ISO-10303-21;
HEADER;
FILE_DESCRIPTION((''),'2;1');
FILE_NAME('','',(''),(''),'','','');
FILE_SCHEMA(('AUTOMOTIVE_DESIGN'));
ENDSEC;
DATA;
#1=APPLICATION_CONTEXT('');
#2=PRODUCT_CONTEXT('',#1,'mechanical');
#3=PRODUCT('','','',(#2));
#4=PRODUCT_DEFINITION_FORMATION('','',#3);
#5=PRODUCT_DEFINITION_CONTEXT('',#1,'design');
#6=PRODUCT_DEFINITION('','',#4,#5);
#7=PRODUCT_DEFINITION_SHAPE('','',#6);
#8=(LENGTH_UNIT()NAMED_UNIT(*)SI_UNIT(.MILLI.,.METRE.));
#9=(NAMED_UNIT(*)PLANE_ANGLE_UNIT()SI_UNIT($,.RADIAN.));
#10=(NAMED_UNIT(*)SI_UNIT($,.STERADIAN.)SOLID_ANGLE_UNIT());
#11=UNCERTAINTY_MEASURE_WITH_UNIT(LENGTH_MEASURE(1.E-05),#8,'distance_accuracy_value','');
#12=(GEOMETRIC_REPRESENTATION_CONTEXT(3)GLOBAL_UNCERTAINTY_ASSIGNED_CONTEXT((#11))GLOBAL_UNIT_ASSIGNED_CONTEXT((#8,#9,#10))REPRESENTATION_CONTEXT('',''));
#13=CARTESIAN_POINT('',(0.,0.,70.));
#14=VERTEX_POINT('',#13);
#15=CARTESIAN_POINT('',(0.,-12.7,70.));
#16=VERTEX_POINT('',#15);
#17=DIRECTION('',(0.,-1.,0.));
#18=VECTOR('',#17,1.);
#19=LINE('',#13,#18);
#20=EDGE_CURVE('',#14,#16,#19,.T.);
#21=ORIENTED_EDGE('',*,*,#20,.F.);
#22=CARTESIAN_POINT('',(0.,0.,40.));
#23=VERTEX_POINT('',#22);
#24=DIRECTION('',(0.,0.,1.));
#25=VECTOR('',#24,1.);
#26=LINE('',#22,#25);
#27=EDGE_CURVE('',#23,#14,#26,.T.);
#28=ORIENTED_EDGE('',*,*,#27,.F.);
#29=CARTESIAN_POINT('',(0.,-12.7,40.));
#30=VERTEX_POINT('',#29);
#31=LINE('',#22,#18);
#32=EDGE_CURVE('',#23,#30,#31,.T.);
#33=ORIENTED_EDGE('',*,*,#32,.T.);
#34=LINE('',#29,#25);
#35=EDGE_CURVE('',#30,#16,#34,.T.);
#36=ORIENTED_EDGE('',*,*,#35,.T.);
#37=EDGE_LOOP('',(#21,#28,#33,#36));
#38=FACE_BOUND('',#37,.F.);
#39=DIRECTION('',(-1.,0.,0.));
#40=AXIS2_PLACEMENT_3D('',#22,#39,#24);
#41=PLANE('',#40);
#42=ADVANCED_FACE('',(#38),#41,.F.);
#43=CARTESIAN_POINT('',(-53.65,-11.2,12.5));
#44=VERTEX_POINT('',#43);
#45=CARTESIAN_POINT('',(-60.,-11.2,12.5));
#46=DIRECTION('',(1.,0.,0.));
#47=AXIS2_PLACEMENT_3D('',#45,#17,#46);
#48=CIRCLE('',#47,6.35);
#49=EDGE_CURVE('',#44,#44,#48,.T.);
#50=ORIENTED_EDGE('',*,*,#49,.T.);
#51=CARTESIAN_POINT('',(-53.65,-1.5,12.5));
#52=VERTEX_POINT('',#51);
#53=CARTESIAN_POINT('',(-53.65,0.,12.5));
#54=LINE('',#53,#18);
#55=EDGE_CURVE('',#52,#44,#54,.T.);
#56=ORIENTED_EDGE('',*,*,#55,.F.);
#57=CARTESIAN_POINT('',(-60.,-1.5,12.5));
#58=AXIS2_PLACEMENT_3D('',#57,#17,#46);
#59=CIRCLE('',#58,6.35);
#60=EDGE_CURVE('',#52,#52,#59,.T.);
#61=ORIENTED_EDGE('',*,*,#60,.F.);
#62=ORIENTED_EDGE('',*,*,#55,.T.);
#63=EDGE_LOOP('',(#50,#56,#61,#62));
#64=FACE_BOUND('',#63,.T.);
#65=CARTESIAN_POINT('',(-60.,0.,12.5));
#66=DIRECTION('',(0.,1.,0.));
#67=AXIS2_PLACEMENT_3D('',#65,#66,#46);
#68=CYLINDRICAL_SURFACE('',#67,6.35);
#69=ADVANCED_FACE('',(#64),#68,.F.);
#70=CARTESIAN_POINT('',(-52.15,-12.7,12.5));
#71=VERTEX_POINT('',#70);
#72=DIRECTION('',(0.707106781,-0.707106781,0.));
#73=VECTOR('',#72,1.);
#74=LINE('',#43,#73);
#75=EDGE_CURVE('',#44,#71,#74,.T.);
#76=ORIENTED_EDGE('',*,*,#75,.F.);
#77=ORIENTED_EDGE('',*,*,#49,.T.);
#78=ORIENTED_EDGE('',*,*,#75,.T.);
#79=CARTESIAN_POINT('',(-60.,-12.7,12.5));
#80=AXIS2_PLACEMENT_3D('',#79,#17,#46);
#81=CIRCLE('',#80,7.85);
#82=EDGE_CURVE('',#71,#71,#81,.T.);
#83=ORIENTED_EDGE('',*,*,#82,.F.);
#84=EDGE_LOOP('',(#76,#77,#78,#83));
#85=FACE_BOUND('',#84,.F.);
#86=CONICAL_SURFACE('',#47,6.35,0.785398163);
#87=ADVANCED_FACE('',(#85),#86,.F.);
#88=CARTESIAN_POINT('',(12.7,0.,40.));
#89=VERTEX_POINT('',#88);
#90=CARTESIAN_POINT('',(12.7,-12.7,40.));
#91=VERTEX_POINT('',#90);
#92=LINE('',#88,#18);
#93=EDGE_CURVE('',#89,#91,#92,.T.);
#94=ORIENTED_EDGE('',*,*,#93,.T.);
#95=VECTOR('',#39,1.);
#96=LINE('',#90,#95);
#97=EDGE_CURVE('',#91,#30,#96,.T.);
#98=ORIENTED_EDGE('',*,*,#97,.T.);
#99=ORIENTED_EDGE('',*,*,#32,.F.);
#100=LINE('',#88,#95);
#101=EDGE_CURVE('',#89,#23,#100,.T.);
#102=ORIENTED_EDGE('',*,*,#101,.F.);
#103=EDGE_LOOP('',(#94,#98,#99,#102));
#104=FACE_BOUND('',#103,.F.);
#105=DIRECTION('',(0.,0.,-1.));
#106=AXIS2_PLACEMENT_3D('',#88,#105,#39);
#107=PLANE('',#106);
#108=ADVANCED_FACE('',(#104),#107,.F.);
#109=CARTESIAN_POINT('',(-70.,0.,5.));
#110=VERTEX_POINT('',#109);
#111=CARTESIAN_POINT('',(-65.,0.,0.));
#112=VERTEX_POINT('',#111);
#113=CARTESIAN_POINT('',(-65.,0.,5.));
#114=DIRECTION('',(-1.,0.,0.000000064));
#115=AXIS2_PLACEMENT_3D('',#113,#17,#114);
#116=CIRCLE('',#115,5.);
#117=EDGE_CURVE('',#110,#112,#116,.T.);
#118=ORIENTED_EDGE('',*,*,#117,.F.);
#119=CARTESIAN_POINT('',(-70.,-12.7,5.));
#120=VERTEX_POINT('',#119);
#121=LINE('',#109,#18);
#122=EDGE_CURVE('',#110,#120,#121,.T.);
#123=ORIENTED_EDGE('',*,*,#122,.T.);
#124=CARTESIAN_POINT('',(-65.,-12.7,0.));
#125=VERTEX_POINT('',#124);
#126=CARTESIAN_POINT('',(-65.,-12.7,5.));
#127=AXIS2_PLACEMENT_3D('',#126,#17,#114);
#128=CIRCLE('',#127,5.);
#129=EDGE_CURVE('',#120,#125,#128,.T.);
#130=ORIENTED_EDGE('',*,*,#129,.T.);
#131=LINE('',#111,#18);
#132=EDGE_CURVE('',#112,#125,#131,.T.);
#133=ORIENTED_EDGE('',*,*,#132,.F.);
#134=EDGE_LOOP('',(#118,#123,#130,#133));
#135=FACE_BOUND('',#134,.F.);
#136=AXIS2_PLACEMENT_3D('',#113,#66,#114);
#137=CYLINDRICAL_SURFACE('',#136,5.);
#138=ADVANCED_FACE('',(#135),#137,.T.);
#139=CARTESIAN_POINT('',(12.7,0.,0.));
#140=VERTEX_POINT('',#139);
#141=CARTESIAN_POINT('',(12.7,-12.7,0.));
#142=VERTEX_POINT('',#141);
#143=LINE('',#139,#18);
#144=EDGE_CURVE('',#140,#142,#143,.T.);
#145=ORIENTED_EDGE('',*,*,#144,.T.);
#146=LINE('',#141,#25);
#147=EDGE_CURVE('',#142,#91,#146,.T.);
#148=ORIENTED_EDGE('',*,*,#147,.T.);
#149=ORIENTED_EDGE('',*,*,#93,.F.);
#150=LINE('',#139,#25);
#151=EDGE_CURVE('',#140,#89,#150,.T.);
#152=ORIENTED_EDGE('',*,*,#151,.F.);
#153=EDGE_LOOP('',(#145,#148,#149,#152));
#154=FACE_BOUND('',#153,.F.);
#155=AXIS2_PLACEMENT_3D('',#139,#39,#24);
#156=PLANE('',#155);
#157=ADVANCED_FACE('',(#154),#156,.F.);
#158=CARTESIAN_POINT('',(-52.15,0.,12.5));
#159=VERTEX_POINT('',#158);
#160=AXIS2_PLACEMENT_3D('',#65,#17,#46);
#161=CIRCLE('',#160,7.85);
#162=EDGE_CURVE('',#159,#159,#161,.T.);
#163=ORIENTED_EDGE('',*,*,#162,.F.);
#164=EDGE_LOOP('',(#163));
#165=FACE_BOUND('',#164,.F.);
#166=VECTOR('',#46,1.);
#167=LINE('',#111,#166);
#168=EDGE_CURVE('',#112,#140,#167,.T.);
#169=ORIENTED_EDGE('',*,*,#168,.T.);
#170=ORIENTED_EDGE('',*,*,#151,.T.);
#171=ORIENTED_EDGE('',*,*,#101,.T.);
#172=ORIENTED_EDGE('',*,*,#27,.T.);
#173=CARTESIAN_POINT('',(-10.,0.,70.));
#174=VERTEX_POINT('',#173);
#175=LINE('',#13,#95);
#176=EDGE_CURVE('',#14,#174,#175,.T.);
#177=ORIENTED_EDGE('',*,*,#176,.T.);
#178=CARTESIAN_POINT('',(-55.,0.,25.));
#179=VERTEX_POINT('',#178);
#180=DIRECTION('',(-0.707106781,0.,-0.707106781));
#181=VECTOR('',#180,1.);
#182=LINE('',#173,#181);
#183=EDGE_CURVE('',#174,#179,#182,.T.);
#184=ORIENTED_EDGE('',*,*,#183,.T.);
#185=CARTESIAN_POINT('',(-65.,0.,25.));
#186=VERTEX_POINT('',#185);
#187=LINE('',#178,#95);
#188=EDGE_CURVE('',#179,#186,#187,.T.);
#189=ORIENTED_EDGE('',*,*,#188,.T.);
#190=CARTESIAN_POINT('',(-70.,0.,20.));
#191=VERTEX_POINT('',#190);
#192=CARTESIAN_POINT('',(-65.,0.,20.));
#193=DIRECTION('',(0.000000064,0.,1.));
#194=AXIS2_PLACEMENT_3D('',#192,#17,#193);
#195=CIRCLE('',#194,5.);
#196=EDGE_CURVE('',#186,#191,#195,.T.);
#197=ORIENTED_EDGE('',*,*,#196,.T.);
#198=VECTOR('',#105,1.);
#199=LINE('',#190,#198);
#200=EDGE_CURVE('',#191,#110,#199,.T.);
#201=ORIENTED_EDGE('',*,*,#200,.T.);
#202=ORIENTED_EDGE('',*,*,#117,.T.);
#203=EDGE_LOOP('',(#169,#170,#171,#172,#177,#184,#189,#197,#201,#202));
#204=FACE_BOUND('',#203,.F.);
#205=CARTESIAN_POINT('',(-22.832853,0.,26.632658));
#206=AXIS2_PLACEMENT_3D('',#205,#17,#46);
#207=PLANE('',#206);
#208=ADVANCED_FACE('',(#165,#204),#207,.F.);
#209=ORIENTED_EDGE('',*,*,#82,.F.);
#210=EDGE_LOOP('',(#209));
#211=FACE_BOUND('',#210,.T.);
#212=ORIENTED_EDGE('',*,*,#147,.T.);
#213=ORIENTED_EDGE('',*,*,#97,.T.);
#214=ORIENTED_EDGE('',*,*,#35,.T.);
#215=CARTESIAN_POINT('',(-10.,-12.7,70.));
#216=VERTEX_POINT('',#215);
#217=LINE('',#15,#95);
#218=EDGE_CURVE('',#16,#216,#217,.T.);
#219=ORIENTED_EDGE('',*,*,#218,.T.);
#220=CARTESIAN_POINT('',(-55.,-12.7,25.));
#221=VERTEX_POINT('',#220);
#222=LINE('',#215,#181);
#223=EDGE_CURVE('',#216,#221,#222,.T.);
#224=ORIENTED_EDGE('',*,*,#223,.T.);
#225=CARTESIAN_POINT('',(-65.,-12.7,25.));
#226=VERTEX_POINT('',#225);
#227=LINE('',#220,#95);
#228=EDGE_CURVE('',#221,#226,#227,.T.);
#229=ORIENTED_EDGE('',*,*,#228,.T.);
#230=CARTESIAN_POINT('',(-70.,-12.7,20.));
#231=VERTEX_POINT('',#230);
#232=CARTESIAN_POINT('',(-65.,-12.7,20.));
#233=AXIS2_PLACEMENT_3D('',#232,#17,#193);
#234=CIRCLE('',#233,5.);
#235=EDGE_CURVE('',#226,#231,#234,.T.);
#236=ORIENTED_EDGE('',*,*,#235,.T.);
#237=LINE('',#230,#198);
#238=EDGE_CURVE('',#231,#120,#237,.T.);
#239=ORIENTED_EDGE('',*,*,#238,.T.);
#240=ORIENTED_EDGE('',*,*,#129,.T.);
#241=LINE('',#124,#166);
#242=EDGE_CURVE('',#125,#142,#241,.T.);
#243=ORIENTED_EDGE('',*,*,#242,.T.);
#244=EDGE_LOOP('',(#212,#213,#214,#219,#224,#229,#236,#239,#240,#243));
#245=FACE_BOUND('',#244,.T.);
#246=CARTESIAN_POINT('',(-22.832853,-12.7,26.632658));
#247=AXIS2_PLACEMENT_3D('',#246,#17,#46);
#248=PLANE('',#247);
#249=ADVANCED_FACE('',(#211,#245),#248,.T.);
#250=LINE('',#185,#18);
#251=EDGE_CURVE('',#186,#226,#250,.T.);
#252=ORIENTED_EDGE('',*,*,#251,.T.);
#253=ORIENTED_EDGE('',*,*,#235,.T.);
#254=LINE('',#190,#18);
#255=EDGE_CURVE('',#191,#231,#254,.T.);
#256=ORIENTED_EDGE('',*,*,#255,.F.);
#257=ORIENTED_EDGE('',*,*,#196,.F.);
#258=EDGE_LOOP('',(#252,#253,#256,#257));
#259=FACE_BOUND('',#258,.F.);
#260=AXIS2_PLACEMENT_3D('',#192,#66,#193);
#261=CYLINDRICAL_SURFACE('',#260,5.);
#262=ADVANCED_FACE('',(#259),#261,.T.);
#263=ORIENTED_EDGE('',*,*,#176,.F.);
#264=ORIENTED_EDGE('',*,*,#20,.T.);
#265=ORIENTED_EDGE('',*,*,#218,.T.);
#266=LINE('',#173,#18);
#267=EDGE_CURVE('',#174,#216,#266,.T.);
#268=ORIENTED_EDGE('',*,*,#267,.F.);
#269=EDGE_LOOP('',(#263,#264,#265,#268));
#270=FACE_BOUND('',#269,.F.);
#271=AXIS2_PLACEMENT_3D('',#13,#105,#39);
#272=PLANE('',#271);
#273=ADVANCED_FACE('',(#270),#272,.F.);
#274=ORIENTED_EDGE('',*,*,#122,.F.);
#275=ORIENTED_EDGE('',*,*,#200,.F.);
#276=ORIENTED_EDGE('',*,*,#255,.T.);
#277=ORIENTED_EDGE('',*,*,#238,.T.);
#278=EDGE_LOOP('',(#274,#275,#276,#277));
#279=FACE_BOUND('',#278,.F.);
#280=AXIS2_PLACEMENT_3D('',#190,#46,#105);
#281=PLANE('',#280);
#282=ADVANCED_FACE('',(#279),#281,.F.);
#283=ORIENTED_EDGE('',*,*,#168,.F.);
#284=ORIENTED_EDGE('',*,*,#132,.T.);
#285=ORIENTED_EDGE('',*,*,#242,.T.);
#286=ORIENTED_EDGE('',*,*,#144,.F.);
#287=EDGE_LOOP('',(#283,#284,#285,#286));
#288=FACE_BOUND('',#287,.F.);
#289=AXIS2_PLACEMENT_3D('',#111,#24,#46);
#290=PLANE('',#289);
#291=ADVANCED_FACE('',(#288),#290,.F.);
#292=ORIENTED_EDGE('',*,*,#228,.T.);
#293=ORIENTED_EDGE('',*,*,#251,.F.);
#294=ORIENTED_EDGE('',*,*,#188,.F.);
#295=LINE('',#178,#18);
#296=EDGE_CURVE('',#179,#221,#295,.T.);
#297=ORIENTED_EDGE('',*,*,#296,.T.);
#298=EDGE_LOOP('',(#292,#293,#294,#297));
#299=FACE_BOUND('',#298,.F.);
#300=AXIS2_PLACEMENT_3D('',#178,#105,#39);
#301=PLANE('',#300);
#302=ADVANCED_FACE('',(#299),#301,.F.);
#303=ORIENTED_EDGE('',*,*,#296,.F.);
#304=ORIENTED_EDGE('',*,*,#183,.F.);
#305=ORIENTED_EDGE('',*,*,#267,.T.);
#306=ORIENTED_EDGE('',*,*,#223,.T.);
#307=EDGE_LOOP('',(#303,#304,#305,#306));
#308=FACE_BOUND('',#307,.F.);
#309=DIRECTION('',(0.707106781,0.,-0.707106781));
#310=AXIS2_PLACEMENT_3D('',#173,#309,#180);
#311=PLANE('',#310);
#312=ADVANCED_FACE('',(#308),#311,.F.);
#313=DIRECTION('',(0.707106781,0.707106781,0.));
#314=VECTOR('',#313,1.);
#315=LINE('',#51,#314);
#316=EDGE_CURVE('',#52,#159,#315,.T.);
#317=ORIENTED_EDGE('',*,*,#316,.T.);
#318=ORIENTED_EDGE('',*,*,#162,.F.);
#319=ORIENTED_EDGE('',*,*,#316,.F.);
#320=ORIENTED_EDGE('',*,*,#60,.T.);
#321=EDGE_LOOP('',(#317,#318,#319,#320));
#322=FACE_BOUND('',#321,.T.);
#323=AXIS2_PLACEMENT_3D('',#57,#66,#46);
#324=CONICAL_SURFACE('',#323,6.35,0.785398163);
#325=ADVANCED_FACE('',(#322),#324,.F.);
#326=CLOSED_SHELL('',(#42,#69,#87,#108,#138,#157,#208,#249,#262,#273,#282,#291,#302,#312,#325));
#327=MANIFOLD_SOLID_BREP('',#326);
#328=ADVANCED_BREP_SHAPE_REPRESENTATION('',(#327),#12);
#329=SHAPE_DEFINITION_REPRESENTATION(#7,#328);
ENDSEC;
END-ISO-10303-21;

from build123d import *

# Parameters (mm, degrees)
F0_R     = 6.35
F1_DEPTH = 12.7
F2_SIZE  = 1.5


with BuildPart() as f1:
    # F0 (on Front) → F1 (new body)
    with BuildSketch(Plane.XZ):
        with BuildLine():
            Line((-70, 20), (-70, 5))
            ThreePointArc((-70, 5), (-68.535534, 1.464466), (-65, 0))
            Line((-65, 0), (12.7, 0))
            Line((12.7, 0), (12.7, 40))
            Line((12.7, 40), (0, 40))
            Line((0, 40), (0, 70))
            Line((0, 70), (-10, 70))
            Line((-10, 70), (-55, 25))
            Line((-55, 25), (-65, 25))
            ThreePointArc((-65, 25), (-68.535534, 23.535534), (-70, 20))
        make_face()
        with Locations((-60, 12.5)):
            Circle(F0_R, mode=Mode.SUBTRACT)
    extrude(amount=F1_DEPTH)

    # F2
    f2_edges = [f1.edges().sort_by_distance(p)[0] for p in [
        (-66.35, 0, 12.5),
        (-66.35, -12.7, 12.5),
    ]]
    chamfer(f2_edges, length=F2_SIZE)


solid = f1.part
